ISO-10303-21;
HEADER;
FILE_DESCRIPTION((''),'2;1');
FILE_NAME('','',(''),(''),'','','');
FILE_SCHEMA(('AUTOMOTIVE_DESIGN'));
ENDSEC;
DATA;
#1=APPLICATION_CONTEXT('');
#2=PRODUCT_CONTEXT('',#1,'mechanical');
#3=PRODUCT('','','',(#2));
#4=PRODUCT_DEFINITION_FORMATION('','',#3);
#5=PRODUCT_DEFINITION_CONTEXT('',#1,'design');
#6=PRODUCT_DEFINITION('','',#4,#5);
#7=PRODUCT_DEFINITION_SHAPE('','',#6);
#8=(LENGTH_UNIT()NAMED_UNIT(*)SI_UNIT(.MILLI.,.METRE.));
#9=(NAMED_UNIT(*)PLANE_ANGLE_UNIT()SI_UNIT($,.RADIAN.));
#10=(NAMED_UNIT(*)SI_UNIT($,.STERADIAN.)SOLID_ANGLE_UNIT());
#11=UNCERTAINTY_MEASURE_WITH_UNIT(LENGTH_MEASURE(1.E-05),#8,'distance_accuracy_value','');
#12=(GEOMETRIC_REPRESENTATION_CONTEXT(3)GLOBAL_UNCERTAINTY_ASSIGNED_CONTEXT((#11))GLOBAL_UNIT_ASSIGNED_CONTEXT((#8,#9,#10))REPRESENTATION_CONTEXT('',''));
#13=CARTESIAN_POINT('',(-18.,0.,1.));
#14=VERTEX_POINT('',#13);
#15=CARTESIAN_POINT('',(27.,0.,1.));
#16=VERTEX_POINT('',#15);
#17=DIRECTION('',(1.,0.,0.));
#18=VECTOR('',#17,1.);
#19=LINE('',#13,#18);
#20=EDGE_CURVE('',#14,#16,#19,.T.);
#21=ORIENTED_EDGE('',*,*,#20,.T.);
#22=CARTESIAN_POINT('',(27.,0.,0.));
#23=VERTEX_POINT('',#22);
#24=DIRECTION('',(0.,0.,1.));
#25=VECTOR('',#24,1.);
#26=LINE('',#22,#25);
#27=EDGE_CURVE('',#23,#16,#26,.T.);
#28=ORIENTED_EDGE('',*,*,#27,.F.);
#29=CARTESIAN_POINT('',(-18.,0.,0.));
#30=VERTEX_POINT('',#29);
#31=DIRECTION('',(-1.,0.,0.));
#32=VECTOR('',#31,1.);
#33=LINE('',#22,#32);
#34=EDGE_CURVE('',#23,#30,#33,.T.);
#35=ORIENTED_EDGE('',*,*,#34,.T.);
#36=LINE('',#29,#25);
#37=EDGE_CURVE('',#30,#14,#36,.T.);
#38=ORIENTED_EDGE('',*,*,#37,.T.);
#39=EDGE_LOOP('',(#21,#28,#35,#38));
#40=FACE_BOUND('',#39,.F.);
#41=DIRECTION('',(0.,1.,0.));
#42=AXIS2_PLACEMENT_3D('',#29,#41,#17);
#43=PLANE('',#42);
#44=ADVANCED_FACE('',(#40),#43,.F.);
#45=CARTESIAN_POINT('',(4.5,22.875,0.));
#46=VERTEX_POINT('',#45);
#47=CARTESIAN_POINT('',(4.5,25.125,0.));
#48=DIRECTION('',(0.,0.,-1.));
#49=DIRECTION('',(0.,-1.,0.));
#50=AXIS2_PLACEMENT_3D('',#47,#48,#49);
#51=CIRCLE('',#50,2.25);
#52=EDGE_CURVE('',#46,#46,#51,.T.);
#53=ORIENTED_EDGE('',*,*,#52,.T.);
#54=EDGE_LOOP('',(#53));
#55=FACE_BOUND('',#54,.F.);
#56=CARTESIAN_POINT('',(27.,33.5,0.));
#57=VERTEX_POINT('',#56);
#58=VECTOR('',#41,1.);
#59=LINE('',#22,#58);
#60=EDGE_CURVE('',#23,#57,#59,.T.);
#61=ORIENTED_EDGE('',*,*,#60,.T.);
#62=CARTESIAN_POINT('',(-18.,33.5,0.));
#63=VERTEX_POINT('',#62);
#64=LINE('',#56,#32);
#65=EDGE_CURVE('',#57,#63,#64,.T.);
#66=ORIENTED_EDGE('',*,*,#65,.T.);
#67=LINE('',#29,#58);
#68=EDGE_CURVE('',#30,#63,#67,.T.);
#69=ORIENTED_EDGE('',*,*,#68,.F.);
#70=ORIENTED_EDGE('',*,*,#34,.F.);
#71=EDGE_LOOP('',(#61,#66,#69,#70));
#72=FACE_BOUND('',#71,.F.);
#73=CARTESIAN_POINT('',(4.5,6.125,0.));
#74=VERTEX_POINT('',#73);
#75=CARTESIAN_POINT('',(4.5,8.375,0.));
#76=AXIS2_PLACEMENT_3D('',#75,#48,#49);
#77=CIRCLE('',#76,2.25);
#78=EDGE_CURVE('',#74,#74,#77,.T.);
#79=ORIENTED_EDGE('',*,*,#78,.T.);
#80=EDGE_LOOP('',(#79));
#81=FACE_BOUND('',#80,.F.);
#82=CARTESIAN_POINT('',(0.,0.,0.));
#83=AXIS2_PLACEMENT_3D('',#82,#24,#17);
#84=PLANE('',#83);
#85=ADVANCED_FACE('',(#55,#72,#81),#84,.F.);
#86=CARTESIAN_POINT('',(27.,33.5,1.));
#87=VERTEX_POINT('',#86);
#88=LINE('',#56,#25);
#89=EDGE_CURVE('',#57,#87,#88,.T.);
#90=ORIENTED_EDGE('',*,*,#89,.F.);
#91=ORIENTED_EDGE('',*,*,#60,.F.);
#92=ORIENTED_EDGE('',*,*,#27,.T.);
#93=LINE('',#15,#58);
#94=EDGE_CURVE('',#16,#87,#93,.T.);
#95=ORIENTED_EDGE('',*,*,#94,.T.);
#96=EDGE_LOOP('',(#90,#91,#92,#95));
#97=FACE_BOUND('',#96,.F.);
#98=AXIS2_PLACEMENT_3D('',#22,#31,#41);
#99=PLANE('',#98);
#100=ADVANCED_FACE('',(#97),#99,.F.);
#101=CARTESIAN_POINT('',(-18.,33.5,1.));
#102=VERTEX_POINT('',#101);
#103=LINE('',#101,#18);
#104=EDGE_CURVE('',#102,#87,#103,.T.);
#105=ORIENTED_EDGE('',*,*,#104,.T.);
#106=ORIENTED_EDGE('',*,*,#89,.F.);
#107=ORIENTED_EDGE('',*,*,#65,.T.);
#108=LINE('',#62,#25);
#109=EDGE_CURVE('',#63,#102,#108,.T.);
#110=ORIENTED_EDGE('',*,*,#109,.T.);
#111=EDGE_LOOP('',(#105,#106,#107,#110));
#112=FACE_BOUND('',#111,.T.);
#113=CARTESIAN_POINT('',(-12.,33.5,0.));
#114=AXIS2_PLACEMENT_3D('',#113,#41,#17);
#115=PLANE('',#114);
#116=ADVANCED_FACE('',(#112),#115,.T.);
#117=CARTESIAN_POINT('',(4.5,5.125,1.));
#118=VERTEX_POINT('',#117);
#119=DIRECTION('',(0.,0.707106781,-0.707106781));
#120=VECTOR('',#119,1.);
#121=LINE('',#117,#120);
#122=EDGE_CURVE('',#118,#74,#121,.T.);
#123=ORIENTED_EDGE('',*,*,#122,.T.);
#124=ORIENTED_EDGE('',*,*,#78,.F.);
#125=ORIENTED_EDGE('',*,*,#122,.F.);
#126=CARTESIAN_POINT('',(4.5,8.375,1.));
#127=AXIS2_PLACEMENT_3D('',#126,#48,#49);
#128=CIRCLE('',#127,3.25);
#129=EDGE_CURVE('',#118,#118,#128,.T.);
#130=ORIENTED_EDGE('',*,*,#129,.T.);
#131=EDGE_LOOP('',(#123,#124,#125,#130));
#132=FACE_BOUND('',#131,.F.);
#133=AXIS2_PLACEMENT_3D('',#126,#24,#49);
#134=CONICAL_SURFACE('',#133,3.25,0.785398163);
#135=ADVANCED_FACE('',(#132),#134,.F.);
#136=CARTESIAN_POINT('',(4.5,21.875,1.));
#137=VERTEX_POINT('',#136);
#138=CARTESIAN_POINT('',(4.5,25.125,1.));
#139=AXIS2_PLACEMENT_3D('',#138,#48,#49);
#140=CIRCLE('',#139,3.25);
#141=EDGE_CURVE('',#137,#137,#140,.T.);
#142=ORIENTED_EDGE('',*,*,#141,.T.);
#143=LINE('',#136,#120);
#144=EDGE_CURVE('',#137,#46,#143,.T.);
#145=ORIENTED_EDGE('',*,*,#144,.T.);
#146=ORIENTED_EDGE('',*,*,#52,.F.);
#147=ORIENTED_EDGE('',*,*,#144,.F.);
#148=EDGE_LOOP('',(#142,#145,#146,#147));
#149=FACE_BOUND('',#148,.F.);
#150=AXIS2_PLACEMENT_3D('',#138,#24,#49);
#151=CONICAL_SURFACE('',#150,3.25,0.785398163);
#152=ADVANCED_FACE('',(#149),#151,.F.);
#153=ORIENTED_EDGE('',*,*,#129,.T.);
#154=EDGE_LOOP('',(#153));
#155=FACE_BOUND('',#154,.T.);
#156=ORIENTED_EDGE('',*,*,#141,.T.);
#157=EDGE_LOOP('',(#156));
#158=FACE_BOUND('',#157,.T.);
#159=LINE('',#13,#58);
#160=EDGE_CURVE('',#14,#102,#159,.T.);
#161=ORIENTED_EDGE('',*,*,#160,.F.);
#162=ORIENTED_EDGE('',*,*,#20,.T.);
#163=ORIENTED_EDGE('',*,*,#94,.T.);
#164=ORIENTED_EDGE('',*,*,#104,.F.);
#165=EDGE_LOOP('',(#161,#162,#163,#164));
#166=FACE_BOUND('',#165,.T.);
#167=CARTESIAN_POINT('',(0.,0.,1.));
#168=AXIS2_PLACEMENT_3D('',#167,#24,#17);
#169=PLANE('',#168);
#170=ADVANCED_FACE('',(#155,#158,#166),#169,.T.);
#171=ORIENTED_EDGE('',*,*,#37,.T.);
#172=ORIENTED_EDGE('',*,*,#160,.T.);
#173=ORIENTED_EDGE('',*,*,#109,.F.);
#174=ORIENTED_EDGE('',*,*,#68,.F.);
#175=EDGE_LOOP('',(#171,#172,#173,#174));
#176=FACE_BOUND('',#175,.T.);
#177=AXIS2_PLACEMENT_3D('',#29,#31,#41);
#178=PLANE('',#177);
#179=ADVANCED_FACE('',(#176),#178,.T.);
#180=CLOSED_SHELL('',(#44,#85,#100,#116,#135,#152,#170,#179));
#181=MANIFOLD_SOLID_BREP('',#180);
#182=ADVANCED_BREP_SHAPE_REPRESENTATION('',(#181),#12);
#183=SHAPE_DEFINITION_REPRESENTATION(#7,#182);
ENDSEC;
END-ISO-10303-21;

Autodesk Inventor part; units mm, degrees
ref_plane "YZ Plane" through (0, 0, 0) normal (1, 0, 0) x (0, 1, 0)
ref_plane "XZ Plane" through (0, 0, 0) normal (0, 1, 0) x (-1, 0, 0)
ref_plane "Work Plane1" through (0, 0, 0) normal (0, 0, 1) x (1, 0, 0)
sketch "Sketch1" plane through (0, 0, 0) normal (0, 0, 1) x (1, 0, 0)
  line L0 (-12, 33.5) -> (-18, 33.5) projected
  line L1 (-18, 0) -> (-18, 33.5) projected
  line L2 (-18, 0) -> (-12, 0) projected
  line L3 (27, 33.5) -> (21, 33.5) projected
  line L4 (21, 0) -> (27, 0) projected
  line L5 (27, 0) -> (27, 33.5) projected
  line L6 (-18, 33.5) -> (27, 33.5)
  line L7 (27, 33.5) -> (27, 0)
  line L8 (27, 0) -> (-18, 0)
  line L9 (-18, 0) -> (-18, 33.5)
  point P0 (0, 0)
ref_plane "Work Plane2" through (-69.2, 0, 2) normal (0, 0, -1) x (0, 1, 0)
extrude "Extrusion1" add sketch "Sketch1" along normal blind 1
sketch "Sketch3" plane through (0, 0, 1) normal (0, 0, 1) x (1, 0, 0)
  circle A0 centre (4.5, 25.125) radius 2 projected
  circle A1 centre (4.5, 8.375) radius 2 projected
  point P0 (0, 0)
hole "Hole2" at (4.5, 8.375, 1) at (4.5, 25.125, 1) direction (0, 0, -1) diameter 3.6 end through all countersink diameter 6.5 countersink angle 90
properties part number "front_gear_holder" material "ABS Plastic"
